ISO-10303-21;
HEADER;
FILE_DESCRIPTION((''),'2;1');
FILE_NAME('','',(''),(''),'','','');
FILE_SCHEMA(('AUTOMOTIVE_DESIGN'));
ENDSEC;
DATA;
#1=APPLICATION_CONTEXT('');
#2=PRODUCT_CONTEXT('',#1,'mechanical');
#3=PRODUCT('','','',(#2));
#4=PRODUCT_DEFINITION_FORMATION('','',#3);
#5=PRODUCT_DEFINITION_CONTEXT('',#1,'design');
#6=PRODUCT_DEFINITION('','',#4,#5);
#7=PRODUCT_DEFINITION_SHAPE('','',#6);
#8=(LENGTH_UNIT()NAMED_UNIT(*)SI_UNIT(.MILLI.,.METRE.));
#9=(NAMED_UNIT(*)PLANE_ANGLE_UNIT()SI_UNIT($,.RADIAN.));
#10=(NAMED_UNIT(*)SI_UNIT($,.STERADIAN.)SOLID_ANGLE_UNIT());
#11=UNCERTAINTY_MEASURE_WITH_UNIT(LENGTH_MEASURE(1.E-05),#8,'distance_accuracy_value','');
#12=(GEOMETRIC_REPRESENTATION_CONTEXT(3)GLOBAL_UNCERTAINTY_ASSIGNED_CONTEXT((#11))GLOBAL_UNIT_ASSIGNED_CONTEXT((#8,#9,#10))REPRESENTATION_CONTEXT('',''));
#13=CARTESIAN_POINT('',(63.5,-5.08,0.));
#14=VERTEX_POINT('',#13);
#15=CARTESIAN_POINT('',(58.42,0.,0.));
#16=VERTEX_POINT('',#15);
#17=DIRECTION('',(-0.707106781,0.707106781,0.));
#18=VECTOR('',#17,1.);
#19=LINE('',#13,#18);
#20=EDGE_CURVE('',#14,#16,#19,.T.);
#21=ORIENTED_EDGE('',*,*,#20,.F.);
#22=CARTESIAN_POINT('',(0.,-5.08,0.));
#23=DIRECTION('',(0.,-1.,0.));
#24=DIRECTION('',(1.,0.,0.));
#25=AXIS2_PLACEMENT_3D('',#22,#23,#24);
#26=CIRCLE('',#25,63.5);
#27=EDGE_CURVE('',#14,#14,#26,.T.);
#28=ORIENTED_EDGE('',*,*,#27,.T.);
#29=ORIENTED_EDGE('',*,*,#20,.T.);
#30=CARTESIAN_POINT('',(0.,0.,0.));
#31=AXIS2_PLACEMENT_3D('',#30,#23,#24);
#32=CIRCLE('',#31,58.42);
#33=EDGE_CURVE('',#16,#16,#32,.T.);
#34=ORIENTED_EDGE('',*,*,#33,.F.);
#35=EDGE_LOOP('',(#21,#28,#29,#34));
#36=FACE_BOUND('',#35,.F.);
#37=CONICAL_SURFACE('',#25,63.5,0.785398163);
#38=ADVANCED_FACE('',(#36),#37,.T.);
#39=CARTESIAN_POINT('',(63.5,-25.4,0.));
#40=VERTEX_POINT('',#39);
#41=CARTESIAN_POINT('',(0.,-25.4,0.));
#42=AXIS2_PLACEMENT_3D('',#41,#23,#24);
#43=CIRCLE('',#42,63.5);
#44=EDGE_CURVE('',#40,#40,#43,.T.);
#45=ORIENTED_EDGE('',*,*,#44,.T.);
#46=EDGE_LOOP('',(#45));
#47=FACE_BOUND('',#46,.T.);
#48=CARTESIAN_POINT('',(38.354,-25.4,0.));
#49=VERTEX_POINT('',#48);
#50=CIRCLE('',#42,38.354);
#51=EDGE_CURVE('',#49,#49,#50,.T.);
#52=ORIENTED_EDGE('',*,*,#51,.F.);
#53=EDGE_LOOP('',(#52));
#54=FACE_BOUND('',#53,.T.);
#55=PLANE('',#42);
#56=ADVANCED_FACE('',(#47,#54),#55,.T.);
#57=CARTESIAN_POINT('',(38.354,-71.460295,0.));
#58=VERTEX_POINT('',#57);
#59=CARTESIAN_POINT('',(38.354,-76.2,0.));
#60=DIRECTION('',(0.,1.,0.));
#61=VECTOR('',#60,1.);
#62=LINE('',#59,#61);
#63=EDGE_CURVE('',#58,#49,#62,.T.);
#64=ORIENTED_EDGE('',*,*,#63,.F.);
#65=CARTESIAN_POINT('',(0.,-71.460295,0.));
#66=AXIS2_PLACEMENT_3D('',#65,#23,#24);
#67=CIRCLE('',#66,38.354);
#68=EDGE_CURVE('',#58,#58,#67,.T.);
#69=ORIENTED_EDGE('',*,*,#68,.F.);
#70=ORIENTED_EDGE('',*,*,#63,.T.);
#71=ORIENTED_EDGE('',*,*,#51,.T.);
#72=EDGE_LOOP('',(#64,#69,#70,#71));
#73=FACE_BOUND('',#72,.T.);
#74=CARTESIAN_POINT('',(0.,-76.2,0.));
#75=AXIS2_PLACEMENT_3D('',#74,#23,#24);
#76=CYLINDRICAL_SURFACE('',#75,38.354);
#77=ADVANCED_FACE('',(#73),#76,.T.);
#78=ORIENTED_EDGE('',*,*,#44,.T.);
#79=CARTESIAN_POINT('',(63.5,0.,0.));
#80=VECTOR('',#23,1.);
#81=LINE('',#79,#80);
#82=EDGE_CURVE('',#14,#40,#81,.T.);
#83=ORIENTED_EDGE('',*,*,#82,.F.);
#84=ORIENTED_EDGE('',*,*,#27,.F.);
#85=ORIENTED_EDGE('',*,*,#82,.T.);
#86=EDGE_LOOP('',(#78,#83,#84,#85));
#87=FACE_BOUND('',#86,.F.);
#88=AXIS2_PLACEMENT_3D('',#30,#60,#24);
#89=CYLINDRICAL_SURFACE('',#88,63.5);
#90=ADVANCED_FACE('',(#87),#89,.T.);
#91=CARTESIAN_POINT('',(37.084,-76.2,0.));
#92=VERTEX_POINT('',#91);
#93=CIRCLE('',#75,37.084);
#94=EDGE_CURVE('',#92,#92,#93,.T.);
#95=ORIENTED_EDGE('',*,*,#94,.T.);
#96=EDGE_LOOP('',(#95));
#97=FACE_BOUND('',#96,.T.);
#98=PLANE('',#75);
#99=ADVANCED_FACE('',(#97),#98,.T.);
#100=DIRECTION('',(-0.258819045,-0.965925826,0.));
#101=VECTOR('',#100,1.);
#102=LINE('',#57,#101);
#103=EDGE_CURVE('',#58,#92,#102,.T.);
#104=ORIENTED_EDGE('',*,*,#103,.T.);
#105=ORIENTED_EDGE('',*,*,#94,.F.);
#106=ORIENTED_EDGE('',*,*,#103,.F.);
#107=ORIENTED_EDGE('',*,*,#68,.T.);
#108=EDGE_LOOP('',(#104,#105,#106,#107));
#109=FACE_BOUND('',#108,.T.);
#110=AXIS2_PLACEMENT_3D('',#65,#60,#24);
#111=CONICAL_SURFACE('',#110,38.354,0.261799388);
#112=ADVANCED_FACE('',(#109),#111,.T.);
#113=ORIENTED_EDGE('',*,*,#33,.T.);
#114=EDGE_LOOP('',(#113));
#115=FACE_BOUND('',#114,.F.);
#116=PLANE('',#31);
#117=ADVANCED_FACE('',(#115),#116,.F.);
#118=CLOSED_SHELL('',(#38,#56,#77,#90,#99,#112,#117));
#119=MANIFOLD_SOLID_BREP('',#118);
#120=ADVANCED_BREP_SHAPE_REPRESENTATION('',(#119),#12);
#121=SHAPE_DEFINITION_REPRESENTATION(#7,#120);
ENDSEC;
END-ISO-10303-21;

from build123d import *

# Parameters (mm, degrees)
F0_R     = 63.5
F1_DEPTH = 76.2
F2_R     = 63.5
F2_R_2   = 38.354
F3_DEPTH = 50.8
F4_SIZE2 = 1.27
F4_SIZE  = 4.7397045256
F5_SIZE  = 5.08


with BuildPart() as f1:
    # F0 (on Front) → F1 (new body)
    with BuildSketch(Plane.XZ):
        Circle(F0_R)
    extrude(amount=F1_DEPTH)

    # F2 (on face) → F3 (cut)
    with BuildSketch(Plane.XZ.offset(76.2)):
        Circle(F2_R)
        Circle(F2_R_2, mode=Mode.SUBTRACT)
    extrude(amount=-F3_DEPTH, mode=Mode.SUBTRACT)

    # F4
    f4_edges = [f1.edges().sort_by_distance(p)[0] for p in [
        (-38.354, -76.2, 0),
    ]]
    f4_side = f1.faces().sort_by_distance((-38.354, -50.8, 0))[0]
    chamfer(f4_edges, length=F4_SIZE, length2=F4_SIZE2, reference=f4_side)

    # F5
    f5_edges = [f1.edges().sort_by_distance(p)[0] for p in [
        (-63.5, 0, 0),
    ]]
    chamfer(f5_edges, length=F5_SIZE)


solid = f1.part
